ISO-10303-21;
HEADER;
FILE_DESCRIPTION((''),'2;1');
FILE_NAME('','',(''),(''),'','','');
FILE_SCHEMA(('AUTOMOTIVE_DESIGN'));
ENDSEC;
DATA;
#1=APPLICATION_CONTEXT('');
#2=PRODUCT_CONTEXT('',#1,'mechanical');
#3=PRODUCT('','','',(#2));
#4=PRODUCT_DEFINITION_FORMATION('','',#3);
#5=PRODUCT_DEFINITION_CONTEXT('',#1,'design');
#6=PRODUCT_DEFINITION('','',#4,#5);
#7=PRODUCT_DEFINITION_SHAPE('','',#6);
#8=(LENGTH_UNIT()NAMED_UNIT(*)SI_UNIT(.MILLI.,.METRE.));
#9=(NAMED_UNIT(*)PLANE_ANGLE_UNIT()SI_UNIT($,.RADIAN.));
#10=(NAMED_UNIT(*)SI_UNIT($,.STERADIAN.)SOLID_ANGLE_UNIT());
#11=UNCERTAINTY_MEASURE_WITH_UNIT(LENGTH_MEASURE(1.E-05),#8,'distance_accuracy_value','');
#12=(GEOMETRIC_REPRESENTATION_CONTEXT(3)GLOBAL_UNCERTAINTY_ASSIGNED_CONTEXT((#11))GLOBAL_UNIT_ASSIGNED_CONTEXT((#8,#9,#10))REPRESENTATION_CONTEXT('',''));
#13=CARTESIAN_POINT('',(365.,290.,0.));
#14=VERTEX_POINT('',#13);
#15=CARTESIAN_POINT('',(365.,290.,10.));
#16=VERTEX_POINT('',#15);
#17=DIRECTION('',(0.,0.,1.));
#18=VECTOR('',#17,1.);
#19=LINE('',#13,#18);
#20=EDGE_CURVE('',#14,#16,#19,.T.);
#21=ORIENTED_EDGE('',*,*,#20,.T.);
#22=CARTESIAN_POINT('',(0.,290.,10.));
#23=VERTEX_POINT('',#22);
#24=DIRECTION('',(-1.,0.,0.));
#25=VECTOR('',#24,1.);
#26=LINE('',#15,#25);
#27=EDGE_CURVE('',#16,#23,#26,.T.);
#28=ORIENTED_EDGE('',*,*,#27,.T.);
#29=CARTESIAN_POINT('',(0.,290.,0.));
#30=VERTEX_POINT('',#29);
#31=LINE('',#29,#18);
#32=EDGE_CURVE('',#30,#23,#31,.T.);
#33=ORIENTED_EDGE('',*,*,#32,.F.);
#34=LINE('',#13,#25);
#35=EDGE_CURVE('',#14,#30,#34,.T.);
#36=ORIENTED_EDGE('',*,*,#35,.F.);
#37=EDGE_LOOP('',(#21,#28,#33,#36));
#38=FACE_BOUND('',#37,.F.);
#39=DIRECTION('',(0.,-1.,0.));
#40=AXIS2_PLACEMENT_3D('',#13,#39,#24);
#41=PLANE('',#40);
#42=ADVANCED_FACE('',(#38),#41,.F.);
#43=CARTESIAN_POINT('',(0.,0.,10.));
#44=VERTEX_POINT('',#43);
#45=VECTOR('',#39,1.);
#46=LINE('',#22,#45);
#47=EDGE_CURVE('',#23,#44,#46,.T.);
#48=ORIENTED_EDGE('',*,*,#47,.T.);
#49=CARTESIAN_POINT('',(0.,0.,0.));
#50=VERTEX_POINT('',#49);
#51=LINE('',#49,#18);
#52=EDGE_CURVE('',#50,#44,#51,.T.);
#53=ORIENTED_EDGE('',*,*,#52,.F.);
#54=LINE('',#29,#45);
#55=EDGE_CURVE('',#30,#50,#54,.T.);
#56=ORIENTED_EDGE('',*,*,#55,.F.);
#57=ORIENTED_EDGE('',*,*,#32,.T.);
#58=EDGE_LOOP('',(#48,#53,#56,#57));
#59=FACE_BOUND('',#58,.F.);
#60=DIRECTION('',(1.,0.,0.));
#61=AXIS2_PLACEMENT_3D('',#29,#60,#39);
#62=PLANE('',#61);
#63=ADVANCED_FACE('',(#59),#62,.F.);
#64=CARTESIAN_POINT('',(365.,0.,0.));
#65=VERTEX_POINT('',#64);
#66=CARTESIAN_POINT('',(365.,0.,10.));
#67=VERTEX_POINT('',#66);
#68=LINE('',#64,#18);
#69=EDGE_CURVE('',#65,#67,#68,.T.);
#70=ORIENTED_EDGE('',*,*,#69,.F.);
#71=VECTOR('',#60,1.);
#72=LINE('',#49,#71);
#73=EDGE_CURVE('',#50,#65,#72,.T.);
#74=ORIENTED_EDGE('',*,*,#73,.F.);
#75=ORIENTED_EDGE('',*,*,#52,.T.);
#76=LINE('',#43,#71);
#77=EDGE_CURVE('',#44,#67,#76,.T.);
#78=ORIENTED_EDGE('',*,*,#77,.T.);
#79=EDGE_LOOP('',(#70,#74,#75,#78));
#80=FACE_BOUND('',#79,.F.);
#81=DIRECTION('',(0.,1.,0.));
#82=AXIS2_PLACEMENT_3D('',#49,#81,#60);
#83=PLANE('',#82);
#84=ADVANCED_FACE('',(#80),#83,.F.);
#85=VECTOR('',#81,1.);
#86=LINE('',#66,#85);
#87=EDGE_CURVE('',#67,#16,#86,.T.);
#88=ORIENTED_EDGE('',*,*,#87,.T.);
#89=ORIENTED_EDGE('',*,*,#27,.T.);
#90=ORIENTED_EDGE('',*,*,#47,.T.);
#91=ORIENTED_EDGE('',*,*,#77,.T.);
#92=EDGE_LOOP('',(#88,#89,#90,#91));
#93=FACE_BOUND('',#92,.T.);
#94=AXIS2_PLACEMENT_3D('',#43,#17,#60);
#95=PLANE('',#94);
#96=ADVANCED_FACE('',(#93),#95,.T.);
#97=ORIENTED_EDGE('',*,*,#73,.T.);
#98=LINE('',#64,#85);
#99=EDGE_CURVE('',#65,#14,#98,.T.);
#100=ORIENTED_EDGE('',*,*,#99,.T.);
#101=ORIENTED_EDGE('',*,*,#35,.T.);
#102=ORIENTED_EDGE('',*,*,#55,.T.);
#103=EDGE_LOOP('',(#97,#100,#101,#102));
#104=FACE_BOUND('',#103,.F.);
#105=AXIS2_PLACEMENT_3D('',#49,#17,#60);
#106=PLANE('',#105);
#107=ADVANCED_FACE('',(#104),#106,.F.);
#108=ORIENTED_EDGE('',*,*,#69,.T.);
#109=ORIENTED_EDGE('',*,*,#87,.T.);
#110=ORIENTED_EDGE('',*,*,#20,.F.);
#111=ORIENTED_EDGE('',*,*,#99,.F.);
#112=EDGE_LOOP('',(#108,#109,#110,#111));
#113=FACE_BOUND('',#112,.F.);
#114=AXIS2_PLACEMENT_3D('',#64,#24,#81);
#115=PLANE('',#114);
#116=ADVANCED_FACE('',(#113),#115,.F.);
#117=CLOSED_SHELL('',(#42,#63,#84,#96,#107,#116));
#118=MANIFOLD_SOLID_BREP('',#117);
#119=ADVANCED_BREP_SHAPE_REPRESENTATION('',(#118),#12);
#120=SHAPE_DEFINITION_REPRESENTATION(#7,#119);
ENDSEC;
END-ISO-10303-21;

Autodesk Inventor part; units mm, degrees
ref_plane "YZ Plane" through (0, 0, 0) normal (1, 0, 0) x (0, 1, 0)
ref_plane "XZ Plane" through (0, 0, 0) normal (0, 1, 0) x (-1, 0, 0)
ref_plane "XY Plane" through (0, 0, 0) normal (0, 0, 1) x (1, 0, 0)
sketch "Sketch1" plane through (0, 0, 0) normal (0, 0, 1) x (1, 0, 0)
  line L0 (0, 0) -> (365, 0)
  line L1 (365, 0) -> (365, 290)
  line L2 (365, 290) -> (0, 290)
  line L3 (0, 290) -> (0, 0)
  dimension "d0" = 365
  dimension "d1" = 290
extrude "Extrusion1" add sketch "Sketch1" along normal blind 10
properties part number "rear_wall"
